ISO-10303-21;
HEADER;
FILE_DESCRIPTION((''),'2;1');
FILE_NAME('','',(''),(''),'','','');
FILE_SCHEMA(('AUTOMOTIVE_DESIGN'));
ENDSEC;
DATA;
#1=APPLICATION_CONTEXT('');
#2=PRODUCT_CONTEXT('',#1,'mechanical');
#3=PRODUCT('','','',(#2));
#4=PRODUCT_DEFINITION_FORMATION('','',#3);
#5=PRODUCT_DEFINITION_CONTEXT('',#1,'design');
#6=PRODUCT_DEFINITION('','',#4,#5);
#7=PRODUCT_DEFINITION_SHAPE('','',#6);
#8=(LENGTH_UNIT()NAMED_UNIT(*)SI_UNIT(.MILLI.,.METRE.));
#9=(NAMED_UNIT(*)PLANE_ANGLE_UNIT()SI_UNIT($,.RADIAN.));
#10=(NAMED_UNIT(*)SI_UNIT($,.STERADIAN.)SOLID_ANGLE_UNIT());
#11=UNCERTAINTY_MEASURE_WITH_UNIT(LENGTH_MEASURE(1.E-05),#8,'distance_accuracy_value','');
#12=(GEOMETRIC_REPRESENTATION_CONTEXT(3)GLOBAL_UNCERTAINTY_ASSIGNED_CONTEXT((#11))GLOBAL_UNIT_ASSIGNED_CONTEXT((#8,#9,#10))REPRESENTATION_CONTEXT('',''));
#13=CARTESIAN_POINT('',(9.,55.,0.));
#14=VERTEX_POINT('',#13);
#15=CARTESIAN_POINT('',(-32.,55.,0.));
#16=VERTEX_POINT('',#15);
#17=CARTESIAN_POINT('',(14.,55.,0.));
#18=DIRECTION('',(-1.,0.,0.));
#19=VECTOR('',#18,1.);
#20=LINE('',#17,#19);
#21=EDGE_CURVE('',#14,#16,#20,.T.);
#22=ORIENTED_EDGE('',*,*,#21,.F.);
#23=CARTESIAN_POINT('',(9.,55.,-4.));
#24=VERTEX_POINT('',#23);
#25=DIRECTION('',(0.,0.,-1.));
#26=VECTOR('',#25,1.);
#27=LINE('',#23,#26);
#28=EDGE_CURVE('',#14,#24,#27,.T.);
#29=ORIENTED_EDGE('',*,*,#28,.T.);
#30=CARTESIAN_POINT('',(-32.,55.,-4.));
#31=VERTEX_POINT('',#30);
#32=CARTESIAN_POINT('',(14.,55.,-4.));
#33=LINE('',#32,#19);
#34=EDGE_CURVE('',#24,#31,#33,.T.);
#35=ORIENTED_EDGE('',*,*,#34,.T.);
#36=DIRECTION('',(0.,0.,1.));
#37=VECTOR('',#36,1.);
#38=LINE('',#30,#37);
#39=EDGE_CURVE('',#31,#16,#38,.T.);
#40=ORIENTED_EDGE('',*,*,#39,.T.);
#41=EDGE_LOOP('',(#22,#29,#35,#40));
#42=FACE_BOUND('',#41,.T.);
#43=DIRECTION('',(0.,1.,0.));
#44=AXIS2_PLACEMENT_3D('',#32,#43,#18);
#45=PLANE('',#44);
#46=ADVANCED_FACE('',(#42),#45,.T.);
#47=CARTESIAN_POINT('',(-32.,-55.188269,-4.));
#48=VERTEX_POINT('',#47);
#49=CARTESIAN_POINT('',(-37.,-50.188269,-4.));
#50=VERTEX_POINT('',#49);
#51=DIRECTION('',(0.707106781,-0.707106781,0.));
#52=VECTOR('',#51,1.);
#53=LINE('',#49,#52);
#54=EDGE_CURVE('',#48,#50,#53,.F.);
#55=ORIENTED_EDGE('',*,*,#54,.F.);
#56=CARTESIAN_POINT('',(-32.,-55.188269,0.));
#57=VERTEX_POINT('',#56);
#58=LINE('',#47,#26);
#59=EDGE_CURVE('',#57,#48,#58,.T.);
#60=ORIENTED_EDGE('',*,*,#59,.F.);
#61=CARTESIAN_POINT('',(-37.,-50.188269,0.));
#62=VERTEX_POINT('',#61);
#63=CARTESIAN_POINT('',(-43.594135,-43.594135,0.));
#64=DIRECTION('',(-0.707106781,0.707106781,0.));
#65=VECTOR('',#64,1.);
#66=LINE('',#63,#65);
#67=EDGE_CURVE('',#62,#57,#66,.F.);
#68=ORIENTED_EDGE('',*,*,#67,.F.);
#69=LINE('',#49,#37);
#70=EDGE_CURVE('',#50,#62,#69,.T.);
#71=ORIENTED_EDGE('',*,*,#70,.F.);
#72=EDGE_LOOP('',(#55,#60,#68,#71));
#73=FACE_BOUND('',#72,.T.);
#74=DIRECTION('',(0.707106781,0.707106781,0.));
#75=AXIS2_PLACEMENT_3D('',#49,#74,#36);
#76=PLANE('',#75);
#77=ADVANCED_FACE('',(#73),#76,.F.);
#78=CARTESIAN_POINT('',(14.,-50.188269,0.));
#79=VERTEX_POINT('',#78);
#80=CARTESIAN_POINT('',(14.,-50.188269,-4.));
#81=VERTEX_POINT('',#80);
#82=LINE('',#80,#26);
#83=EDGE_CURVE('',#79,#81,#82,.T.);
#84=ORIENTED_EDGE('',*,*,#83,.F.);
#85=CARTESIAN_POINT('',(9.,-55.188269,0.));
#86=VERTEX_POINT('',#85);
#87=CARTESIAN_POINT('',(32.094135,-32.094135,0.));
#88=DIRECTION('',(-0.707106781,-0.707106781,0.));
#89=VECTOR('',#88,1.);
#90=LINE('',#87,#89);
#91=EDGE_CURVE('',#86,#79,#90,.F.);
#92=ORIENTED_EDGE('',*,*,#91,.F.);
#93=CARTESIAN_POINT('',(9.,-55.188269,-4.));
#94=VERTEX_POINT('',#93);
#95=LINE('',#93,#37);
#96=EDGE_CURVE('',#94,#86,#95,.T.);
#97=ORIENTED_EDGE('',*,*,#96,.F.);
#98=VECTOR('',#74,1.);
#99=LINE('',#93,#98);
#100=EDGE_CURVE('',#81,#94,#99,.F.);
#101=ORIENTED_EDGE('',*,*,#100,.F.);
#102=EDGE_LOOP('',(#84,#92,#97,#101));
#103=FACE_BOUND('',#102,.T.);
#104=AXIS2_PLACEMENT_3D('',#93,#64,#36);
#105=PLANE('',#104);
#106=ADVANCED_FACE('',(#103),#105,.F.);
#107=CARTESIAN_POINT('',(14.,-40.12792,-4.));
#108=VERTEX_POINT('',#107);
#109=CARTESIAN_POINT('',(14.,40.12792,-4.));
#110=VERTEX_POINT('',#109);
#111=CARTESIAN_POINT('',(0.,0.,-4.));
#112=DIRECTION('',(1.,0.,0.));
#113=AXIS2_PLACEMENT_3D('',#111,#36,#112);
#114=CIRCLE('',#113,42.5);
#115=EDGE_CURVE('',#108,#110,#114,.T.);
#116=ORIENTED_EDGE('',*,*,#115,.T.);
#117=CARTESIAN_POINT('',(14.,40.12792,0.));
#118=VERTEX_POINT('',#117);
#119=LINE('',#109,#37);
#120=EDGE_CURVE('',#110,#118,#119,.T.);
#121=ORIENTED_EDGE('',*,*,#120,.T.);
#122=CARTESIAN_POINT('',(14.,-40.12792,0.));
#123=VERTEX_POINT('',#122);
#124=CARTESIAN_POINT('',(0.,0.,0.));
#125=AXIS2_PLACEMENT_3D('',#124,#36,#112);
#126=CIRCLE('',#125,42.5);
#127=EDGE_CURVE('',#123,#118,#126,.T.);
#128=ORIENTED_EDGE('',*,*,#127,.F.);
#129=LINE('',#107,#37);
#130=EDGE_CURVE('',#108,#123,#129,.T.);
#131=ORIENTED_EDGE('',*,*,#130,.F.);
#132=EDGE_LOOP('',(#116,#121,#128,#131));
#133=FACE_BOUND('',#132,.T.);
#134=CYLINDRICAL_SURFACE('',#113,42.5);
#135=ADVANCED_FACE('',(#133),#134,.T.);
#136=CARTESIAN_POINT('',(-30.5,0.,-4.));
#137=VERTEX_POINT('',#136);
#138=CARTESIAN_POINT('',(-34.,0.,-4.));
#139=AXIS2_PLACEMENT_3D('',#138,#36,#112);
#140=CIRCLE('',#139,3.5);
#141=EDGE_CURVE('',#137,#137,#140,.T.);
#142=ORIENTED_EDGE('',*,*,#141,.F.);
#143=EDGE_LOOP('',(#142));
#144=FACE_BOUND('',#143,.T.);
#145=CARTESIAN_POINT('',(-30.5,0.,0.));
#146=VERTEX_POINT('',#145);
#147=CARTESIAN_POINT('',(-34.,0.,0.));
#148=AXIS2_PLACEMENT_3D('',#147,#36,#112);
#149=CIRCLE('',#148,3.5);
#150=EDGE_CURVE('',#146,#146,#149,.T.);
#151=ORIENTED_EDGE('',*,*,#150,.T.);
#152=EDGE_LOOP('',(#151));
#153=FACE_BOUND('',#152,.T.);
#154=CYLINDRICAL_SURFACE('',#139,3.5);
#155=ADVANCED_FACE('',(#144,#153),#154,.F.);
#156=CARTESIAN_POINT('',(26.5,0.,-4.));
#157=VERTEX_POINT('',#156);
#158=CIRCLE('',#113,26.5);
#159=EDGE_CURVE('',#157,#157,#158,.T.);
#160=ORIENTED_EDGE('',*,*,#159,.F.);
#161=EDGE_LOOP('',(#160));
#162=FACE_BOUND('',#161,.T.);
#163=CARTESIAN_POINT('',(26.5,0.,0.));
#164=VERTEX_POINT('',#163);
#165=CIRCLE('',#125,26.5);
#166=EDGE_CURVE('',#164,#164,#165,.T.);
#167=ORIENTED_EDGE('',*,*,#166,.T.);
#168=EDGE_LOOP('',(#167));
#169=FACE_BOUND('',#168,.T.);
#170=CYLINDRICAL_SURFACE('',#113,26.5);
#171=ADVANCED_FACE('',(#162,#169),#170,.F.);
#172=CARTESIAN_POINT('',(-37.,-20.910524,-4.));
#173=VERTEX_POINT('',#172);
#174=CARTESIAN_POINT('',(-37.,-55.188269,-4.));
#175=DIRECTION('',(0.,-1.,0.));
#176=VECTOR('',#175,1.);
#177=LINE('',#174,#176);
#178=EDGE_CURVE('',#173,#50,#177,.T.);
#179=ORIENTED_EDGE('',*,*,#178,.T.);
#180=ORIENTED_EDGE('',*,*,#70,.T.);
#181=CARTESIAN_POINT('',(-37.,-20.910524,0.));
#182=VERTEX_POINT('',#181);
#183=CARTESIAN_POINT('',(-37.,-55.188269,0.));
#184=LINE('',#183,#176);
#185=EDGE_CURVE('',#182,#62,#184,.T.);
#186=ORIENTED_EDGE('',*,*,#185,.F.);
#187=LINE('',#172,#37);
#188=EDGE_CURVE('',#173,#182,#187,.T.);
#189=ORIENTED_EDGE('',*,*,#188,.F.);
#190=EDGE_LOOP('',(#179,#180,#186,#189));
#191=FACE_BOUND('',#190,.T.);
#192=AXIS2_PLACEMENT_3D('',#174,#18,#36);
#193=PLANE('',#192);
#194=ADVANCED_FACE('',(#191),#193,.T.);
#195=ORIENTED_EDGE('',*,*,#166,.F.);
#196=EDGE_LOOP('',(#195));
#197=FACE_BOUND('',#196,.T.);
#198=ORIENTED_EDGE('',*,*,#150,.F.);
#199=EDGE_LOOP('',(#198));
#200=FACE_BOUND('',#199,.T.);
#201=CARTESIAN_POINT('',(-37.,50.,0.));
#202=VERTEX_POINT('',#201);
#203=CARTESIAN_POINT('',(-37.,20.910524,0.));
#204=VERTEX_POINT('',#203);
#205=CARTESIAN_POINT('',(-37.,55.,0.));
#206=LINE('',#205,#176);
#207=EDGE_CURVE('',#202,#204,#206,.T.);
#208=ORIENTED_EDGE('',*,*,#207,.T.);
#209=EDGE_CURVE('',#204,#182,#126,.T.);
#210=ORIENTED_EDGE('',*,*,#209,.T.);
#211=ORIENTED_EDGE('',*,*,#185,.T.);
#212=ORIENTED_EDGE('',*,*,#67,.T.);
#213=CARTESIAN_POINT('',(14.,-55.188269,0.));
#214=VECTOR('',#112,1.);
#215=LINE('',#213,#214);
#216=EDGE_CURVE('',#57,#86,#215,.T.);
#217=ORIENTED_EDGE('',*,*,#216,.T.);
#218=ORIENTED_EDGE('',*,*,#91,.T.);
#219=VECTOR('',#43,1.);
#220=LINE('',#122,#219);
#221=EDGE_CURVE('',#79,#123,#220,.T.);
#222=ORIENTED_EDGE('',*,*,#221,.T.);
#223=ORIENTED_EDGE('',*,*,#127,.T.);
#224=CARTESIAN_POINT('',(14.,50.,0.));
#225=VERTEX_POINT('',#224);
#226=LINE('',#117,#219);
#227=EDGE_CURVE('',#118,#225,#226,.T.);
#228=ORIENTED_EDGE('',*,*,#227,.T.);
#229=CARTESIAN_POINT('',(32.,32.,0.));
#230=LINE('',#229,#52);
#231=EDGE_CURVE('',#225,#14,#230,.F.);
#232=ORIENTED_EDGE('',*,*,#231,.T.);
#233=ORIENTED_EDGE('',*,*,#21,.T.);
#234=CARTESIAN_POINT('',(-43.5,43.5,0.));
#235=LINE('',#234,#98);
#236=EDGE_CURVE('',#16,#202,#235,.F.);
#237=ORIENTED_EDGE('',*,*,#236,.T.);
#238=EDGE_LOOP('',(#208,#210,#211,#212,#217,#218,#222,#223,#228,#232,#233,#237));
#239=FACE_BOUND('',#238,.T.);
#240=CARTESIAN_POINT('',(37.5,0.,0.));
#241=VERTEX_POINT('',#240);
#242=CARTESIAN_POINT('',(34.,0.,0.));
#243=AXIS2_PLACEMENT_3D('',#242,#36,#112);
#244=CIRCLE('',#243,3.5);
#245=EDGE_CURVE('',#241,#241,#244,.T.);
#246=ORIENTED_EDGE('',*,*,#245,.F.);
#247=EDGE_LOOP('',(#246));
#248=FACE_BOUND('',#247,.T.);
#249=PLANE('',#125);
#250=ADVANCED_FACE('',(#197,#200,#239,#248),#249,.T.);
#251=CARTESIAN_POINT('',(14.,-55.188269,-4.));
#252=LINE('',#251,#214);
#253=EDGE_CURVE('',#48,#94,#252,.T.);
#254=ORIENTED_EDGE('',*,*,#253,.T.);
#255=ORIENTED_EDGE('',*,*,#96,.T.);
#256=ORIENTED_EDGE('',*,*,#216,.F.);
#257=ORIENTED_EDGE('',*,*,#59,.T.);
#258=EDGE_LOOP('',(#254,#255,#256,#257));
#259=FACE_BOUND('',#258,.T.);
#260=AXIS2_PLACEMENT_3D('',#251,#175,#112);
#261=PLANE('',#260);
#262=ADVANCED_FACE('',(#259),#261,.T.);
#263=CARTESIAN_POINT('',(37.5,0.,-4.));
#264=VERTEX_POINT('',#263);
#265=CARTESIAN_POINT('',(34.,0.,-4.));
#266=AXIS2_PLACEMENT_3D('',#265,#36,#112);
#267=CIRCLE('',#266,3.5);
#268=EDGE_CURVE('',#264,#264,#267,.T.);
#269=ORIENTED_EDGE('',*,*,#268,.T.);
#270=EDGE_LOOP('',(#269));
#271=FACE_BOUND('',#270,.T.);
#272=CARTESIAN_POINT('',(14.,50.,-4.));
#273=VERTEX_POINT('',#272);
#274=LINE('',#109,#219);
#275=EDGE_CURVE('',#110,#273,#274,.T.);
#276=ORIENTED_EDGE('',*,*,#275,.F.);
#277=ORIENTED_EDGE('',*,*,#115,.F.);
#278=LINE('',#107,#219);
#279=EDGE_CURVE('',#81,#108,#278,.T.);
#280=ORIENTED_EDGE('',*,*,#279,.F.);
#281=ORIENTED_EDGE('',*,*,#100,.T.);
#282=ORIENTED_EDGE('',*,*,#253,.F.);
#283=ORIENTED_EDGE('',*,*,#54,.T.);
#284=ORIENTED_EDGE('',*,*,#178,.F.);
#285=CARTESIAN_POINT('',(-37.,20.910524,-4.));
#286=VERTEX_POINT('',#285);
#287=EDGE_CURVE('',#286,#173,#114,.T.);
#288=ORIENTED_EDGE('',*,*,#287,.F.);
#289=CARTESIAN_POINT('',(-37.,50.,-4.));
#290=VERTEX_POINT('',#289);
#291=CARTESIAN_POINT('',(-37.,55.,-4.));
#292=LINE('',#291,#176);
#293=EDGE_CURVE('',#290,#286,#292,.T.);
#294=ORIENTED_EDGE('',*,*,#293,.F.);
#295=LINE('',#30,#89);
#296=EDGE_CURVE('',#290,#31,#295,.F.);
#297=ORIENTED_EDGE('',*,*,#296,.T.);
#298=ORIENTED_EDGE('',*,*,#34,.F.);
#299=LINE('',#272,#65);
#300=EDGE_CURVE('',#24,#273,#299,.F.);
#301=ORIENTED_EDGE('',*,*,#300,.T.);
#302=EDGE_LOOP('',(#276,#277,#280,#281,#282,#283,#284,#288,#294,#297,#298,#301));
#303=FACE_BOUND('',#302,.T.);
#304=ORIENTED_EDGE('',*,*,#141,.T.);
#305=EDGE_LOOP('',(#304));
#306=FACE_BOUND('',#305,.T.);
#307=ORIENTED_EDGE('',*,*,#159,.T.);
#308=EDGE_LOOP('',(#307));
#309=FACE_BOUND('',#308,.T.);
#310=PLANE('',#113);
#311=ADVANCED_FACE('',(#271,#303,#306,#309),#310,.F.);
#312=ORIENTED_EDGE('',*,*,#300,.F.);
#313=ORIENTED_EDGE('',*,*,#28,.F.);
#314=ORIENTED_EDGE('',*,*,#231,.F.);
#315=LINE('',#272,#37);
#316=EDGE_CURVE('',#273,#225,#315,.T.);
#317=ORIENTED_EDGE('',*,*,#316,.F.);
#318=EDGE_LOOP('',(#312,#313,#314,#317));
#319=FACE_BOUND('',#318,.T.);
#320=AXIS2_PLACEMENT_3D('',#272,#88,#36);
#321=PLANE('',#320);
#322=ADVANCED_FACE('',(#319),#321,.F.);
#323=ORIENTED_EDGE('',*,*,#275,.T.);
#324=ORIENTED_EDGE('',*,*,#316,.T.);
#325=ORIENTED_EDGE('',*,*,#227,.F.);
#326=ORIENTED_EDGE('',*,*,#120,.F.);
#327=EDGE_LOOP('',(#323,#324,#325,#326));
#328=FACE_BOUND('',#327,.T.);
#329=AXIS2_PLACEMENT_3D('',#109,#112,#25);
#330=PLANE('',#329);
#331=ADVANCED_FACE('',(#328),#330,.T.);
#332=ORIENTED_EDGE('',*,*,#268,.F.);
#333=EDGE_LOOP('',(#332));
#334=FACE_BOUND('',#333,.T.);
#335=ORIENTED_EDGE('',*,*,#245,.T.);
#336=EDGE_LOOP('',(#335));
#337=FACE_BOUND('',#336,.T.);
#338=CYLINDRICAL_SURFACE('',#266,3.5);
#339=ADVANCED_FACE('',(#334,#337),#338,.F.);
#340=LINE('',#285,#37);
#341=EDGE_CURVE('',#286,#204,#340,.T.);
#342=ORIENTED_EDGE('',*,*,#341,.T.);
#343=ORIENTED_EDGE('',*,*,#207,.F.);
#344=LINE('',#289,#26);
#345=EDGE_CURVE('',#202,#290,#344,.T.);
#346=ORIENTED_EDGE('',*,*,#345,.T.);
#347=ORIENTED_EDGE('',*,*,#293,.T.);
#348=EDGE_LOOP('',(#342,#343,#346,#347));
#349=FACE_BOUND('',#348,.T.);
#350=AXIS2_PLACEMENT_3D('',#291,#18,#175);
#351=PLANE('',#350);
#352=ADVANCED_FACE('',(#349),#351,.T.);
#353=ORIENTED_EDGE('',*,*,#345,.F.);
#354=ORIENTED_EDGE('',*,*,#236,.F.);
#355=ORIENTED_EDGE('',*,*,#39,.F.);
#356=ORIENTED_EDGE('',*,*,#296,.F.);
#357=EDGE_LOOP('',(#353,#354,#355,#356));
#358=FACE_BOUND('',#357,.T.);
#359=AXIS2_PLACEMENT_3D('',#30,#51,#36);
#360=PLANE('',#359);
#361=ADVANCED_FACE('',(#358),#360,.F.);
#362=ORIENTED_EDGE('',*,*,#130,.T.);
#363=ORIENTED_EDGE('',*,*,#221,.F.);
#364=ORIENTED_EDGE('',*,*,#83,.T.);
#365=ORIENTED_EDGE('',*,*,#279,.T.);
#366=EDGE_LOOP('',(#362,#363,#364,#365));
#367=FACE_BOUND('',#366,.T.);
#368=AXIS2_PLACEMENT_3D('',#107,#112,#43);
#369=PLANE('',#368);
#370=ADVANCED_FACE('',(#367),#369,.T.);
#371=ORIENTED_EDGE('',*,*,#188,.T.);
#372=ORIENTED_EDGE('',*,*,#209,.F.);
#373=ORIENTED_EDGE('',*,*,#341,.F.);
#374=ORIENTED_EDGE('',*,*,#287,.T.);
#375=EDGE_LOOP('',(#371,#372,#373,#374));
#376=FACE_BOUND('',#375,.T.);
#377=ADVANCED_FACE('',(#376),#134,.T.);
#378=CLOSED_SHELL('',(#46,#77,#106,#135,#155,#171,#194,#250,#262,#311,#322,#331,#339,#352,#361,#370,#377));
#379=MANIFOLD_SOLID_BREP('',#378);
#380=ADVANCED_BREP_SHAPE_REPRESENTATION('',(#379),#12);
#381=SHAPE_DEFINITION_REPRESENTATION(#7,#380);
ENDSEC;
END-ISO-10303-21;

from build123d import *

# Parameters (mm, degrees)
SKETCH1_R           = 42.5
SKETCH1_R_2         = 26.5
SKETCH1_R_3         = 3.5
BOSS_EXTRUDE1_DEPTH = 4
BOSS_EXTRUDE2_DEPTH = 4
CHAMFER1_SIZE       = 5


with BuildPart() as part:
    # Sketch1 → Boss-Extrude1 (new body)
    with BuildSketch(Plane.XY):
        Circle(SKETCH1_R)
        Circle(SKETCH1_R_2, mode=Mode.SUBTRACT)
        with Locations((34, 0)):
            Circle(SKETCH1_R_3, mode=Mode.SUBTRACT)
        with Locations((-34, 0)):
            Circle(SKETCH1_R_3, mode=Mode.SUBTRACT)
    extrude(amount=-BOSS_EXTRUDE1_DEPTH)

    # Sketch2 → Boss-Extrude2 (add)
    with BuildSketch(Plane.XY):
        Polygon((-37, 55), (-37, 20.910523666), (14, 40.127920454), (14, 55), align=None)
        Polygon((-37, -55.188269352), (-37, -20.910523666), (14, -40.127920454), (14, -55.188269352), align=None)
    extrude(amount=-BOSS_EXTRUDE2_DEPTH)

    # Chamfer1
    chamfer1_edges = [part.edges().sort_by_distance(p)[0] for p in [
        (-37, 55, -2),
        (14, 55, -2),
        (14, -55.188269352, -2),
        (-37, -55.188269352, -2),
    ]]
    chamfer(chamfer1_edges, length=CHAMFER1_SIZE)


solid = part.part
